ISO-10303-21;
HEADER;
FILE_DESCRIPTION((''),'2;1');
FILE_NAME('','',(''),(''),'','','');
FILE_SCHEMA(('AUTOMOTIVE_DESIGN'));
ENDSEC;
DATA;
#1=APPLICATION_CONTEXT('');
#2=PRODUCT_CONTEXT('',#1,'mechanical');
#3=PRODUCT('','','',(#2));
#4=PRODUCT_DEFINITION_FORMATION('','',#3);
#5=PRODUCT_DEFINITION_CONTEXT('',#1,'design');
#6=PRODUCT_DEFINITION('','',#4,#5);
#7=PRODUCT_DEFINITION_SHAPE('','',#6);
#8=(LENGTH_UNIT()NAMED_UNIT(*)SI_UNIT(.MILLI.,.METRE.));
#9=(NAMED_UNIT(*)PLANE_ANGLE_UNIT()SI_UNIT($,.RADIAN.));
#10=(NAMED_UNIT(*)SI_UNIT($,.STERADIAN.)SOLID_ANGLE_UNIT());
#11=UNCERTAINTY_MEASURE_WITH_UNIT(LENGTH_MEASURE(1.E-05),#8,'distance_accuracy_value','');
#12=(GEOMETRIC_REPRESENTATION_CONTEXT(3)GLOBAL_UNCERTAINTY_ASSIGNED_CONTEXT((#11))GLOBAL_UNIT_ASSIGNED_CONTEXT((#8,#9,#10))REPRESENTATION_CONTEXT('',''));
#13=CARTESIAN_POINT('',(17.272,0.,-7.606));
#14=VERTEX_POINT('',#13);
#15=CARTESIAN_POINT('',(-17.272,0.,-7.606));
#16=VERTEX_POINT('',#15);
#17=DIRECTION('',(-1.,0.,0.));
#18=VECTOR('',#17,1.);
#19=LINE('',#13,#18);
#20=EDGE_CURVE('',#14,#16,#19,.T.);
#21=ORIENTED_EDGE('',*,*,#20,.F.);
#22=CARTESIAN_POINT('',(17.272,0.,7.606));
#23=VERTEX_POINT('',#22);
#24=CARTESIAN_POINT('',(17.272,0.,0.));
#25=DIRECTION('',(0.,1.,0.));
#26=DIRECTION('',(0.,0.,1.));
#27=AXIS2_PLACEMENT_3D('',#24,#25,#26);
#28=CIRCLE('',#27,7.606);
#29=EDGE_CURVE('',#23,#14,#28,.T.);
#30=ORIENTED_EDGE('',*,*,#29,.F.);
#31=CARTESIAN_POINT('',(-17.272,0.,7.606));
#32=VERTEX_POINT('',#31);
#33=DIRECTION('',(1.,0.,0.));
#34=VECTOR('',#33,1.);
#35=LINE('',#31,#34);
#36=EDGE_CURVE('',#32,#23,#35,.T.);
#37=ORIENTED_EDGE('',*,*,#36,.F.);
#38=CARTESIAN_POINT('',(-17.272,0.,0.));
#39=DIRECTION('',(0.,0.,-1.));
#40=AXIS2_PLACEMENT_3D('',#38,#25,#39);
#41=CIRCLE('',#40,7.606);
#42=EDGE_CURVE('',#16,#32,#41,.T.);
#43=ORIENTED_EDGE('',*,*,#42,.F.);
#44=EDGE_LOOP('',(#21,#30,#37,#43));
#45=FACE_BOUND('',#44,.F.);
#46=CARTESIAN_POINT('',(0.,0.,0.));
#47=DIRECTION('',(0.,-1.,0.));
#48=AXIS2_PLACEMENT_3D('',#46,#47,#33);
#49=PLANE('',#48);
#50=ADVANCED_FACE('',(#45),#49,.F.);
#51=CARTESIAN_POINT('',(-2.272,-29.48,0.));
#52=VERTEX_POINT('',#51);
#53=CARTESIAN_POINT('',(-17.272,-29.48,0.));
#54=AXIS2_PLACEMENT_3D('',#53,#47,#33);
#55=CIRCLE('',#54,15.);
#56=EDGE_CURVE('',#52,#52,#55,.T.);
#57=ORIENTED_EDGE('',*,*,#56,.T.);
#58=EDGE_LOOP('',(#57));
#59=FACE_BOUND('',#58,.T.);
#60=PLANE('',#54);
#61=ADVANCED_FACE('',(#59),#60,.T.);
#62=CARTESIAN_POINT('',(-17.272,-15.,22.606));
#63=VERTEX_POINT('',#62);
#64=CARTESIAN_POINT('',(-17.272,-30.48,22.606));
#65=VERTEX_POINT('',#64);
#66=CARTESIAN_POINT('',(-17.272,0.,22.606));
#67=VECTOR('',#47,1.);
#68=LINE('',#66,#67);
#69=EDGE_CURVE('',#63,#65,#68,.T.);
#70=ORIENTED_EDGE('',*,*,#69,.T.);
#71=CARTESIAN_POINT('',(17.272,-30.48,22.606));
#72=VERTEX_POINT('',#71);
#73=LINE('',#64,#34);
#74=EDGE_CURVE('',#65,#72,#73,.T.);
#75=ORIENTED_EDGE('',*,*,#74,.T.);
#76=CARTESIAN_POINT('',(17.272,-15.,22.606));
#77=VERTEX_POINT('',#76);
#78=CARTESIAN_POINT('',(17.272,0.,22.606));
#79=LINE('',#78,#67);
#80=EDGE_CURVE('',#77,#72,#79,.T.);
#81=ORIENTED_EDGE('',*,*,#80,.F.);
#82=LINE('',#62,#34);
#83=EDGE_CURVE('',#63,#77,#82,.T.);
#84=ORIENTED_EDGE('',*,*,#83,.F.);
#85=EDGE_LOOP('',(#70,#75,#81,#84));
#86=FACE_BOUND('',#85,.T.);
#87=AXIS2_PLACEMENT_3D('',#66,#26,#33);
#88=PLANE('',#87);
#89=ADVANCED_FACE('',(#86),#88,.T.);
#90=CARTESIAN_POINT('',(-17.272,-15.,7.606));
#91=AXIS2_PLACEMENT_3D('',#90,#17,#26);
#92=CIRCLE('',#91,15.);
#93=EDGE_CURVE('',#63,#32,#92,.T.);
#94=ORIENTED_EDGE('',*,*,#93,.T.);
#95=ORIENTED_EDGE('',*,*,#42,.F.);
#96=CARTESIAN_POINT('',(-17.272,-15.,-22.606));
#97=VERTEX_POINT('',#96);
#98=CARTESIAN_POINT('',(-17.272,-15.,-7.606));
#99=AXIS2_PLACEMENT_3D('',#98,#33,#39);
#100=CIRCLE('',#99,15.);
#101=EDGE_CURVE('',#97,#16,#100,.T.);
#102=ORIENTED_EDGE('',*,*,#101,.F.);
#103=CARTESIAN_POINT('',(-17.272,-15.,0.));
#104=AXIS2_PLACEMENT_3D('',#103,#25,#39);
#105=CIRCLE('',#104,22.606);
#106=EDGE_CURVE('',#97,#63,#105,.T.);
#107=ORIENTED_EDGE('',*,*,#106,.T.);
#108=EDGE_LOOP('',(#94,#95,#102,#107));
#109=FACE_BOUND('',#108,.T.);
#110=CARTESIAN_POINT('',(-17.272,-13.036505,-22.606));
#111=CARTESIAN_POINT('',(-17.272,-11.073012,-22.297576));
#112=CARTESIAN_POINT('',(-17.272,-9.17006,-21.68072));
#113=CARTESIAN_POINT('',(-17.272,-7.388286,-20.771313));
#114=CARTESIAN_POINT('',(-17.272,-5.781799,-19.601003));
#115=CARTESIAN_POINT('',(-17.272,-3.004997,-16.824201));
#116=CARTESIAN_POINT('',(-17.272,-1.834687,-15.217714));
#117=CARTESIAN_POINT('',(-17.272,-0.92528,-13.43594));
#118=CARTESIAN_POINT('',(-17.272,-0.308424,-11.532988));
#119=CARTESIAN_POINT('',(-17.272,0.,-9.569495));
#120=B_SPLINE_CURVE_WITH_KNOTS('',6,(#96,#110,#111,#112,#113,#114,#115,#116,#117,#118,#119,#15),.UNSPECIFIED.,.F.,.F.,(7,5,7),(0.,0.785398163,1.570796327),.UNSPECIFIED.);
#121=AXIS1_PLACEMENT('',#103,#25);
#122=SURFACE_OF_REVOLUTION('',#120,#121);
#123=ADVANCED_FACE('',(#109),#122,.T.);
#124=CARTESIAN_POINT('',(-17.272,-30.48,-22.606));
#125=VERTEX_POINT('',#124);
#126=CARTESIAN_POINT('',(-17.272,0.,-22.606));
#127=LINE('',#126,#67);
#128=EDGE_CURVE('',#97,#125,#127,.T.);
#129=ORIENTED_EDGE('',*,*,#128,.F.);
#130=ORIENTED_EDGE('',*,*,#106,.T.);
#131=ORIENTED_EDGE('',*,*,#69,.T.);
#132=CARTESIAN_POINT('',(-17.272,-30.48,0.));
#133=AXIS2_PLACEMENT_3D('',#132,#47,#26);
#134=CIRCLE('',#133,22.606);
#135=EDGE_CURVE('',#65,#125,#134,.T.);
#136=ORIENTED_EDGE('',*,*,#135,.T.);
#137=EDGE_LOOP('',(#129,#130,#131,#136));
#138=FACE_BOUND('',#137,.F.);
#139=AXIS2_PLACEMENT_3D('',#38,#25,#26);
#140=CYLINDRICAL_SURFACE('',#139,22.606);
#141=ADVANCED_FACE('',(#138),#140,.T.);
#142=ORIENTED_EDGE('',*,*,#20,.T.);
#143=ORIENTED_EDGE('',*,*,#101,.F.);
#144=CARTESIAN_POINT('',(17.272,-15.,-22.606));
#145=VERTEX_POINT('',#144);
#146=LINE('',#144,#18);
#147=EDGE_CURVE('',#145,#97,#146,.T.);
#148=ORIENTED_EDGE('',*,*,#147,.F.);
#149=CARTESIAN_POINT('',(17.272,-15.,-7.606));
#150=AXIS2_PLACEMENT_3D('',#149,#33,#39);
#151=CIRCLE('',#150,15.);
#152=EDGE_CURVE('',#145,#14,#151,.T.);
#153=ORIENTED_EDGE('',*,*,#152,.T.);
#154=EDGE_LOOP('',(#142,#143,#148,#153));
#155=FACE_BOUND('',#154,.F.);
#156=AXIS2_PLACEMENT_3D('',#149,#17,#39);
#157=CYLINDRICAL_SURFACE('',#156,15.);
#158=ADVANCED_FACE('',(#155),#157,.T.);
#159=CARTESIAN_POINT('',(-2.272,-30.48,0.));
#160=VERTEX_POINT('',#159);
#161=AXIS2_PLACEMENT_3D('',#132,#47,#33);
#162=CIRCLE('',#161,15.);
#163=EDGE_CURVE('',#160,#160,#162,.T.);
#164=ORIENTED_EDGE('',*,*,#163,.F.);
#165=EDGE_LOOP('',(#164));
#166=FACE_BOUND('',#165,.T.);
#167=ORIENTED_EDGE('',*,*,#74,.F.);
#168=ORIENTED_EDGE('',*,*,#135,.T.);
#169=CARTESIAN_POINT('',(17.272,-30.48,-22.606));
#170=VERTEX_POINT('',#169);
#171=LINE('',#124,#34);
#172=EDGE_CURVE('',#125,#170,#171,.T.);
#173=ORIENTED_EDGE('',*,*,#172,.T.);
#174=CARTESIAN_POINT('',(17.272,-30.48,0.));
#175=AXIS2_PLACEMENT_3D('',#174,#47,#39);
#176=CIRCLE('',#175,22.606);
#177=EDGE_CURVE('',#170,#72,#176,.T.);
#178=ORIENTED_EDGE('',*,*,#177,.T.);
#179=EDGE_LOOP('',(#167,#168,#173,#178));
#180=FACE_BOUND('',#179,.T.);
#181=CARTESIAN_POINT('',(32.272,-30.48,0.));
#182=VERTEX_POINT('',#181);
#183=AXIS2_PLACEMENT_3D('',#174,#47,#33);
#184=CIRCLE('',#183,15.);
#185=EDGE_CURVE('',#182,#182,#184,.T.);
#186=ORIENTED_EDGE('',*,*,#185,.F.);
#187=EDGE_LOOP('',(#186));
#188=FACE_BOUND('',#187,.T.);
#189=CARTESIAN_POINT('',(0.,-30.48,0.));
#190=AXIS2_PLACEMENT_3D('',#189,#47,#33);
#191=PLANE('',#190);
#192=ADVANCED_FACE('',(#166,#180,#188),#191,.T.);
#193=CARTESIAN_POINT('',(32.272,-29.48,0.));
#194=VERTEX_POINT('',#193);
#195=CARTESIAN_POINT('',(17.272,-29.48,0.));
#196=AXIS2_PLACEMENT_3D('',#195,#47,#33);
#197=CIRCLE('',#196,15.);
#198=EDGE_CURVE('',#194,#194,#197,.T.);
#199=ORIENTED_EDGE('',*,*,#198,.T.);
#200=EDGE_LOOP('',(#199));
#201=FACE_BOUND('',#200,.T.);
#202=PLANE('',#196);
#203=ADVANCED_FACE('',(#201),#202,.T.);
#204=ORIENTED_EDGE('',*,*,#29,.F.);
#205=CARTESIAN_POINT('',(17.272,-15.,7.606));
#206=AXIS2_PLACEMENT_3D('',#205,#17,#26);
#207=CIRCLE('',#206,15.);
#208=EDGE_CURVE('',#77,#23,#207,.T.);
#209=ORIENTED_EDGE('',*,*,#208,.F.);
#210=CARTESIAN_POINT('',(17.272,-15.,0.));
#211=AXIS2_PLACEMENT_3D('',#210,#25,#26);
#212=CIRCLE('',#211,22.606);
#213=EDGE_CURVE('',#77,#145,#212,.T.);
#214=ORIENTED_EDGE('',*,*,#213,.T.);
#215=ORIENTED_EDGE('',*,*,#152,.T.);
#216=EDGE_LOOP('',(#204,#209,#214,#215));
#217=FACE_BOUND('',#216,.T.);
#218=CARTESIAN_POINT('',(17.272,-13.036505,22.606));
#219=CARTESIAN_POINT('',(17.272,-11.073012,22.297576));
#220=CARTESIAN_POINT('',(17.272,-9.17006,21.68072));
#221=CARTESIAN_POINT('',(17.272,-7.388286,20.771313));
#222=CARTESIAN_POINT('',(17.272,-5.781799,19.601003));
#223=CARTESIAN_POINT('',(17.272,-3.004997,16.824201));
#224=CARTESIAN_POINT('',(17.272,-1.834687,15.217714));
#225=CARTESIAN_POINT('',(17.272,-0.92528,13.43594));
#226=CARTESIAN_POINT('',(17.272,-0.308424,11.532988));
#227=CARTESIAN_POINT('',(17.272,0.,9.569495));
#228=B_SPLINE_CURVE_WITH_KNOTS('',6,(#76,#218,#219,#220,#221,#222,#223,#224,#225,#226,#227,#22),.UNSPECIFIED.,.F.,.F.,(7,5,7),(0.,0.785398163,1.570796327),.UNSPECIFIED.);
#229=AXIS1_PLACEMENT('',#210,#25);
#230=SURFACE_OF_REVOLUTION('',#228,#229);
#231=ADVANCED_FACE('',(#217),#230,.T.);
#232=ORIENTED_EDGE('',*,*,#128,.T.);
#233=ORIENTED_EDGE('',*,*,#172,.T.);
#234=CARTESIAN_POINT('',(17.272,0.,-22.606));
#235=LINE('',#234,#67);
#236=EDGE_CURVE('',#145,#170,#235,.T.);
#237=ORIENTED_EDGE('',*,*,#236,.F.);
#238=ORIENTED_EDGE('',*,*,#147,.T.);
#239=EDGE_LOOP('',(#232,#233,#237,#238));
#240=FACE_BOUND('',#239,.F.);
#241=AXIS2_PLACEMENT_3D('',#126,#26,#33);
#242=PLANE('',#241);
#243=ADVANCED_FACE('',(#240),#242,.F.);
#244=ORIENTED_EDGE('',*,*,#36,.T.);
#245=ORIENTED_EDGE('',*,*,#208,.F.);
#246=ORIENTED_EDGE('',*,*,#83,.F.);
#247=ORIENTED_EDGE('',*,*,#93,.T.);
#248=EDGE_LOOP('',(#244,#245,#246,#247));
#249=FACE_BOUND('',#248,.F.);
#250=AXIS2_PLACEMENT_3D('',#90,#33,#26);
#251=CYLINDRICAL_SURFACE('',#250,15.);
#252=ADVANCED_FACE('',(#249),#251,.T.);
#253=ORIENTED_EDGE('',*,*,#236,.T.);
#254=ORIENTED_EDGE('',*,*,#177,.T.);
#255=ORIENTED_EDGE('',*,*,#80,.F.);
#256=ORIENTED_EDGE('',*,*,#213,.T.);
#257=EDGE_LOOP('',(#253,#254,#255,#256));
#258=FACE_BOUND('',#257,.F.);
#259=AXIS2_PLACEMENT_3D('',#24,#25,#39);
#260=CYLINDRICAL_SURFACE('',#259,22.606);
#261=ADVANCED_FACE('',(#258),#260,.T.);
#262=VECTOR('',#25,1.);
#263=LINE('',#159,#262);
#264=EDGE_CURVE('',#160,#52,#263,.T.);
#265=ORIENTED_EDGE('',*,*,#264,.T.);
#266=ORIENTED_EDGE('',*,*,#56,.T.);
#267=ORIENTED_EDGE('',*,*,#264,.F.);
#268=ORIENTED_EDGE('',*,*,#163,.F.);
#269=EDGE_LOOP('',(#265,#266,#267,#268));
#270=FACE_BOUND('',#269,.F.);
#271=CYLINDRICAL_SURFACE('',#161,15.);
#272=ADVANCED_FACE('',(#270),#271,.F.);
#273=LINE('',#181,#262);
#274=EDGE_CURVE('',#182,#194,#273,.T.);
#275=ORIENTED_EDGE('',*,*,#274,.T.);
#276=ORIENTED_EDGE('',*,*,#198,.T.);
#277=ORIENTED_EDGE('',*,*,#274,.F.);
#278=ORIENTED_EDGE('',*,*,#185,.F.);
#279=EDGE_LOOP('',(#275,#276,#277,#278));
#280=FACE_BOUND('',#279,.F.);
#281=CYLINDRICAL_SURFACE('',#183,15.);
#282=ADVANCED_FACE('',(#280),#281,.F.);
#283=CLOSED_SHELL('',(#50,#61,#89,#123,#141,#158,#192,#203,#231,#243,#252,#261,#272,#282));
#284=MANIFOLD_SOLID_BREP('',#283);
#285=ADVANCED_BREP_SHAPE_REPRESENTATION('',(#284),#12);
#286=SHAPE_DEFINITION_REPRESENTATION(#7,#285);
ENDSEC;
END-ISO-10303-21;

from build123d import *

# Parameters (mm, degrees)
PAD_DEPTH    = 30.48
FILLET_R     = 15
SKETCH001_R  = 15
POCKET_DEPTH = 1


with BuildPart() as part:
    # Sketch → Pad (new body)
    with BuildSketch(Plane.XZ):
        with BuildLine():
            ThreePointArc((-17.272, 22.606), (-39.878, 0), (-17.272, -22.606))
            Line((-17.272, -22.606), (17.272, -22.606))
            ThreePointArc((17.272, -22.606), (39.878, 0), (17.272, 22.606))
            Line((-17.272, 22.606), (17.272, 22.606))
        make_face()
    extrude(amount=PAD_DEPTH)

    # Fillet
    fillet_edges = [part.edges().sort_by_distance(p)[0] for p in [
        (0, 0, 22.606),
    ]]
    fillet(fillet_edges, radius=FILLET_R)

    # Sketch001 (on Face4 of Fillet) → Pocket (cut)
    with BuildSketch(Plane.XZ.offset(30.48)):
        with Locations((-17.272, 0)):
            Circle(SKETCH001_R)
        with Locations((17.272, 0)):
            Circle(SKETCH001_R)
    extrude(amount=-POCKET_DEPTH, mode=Mode.SUBTRACT)


solid = part.part
